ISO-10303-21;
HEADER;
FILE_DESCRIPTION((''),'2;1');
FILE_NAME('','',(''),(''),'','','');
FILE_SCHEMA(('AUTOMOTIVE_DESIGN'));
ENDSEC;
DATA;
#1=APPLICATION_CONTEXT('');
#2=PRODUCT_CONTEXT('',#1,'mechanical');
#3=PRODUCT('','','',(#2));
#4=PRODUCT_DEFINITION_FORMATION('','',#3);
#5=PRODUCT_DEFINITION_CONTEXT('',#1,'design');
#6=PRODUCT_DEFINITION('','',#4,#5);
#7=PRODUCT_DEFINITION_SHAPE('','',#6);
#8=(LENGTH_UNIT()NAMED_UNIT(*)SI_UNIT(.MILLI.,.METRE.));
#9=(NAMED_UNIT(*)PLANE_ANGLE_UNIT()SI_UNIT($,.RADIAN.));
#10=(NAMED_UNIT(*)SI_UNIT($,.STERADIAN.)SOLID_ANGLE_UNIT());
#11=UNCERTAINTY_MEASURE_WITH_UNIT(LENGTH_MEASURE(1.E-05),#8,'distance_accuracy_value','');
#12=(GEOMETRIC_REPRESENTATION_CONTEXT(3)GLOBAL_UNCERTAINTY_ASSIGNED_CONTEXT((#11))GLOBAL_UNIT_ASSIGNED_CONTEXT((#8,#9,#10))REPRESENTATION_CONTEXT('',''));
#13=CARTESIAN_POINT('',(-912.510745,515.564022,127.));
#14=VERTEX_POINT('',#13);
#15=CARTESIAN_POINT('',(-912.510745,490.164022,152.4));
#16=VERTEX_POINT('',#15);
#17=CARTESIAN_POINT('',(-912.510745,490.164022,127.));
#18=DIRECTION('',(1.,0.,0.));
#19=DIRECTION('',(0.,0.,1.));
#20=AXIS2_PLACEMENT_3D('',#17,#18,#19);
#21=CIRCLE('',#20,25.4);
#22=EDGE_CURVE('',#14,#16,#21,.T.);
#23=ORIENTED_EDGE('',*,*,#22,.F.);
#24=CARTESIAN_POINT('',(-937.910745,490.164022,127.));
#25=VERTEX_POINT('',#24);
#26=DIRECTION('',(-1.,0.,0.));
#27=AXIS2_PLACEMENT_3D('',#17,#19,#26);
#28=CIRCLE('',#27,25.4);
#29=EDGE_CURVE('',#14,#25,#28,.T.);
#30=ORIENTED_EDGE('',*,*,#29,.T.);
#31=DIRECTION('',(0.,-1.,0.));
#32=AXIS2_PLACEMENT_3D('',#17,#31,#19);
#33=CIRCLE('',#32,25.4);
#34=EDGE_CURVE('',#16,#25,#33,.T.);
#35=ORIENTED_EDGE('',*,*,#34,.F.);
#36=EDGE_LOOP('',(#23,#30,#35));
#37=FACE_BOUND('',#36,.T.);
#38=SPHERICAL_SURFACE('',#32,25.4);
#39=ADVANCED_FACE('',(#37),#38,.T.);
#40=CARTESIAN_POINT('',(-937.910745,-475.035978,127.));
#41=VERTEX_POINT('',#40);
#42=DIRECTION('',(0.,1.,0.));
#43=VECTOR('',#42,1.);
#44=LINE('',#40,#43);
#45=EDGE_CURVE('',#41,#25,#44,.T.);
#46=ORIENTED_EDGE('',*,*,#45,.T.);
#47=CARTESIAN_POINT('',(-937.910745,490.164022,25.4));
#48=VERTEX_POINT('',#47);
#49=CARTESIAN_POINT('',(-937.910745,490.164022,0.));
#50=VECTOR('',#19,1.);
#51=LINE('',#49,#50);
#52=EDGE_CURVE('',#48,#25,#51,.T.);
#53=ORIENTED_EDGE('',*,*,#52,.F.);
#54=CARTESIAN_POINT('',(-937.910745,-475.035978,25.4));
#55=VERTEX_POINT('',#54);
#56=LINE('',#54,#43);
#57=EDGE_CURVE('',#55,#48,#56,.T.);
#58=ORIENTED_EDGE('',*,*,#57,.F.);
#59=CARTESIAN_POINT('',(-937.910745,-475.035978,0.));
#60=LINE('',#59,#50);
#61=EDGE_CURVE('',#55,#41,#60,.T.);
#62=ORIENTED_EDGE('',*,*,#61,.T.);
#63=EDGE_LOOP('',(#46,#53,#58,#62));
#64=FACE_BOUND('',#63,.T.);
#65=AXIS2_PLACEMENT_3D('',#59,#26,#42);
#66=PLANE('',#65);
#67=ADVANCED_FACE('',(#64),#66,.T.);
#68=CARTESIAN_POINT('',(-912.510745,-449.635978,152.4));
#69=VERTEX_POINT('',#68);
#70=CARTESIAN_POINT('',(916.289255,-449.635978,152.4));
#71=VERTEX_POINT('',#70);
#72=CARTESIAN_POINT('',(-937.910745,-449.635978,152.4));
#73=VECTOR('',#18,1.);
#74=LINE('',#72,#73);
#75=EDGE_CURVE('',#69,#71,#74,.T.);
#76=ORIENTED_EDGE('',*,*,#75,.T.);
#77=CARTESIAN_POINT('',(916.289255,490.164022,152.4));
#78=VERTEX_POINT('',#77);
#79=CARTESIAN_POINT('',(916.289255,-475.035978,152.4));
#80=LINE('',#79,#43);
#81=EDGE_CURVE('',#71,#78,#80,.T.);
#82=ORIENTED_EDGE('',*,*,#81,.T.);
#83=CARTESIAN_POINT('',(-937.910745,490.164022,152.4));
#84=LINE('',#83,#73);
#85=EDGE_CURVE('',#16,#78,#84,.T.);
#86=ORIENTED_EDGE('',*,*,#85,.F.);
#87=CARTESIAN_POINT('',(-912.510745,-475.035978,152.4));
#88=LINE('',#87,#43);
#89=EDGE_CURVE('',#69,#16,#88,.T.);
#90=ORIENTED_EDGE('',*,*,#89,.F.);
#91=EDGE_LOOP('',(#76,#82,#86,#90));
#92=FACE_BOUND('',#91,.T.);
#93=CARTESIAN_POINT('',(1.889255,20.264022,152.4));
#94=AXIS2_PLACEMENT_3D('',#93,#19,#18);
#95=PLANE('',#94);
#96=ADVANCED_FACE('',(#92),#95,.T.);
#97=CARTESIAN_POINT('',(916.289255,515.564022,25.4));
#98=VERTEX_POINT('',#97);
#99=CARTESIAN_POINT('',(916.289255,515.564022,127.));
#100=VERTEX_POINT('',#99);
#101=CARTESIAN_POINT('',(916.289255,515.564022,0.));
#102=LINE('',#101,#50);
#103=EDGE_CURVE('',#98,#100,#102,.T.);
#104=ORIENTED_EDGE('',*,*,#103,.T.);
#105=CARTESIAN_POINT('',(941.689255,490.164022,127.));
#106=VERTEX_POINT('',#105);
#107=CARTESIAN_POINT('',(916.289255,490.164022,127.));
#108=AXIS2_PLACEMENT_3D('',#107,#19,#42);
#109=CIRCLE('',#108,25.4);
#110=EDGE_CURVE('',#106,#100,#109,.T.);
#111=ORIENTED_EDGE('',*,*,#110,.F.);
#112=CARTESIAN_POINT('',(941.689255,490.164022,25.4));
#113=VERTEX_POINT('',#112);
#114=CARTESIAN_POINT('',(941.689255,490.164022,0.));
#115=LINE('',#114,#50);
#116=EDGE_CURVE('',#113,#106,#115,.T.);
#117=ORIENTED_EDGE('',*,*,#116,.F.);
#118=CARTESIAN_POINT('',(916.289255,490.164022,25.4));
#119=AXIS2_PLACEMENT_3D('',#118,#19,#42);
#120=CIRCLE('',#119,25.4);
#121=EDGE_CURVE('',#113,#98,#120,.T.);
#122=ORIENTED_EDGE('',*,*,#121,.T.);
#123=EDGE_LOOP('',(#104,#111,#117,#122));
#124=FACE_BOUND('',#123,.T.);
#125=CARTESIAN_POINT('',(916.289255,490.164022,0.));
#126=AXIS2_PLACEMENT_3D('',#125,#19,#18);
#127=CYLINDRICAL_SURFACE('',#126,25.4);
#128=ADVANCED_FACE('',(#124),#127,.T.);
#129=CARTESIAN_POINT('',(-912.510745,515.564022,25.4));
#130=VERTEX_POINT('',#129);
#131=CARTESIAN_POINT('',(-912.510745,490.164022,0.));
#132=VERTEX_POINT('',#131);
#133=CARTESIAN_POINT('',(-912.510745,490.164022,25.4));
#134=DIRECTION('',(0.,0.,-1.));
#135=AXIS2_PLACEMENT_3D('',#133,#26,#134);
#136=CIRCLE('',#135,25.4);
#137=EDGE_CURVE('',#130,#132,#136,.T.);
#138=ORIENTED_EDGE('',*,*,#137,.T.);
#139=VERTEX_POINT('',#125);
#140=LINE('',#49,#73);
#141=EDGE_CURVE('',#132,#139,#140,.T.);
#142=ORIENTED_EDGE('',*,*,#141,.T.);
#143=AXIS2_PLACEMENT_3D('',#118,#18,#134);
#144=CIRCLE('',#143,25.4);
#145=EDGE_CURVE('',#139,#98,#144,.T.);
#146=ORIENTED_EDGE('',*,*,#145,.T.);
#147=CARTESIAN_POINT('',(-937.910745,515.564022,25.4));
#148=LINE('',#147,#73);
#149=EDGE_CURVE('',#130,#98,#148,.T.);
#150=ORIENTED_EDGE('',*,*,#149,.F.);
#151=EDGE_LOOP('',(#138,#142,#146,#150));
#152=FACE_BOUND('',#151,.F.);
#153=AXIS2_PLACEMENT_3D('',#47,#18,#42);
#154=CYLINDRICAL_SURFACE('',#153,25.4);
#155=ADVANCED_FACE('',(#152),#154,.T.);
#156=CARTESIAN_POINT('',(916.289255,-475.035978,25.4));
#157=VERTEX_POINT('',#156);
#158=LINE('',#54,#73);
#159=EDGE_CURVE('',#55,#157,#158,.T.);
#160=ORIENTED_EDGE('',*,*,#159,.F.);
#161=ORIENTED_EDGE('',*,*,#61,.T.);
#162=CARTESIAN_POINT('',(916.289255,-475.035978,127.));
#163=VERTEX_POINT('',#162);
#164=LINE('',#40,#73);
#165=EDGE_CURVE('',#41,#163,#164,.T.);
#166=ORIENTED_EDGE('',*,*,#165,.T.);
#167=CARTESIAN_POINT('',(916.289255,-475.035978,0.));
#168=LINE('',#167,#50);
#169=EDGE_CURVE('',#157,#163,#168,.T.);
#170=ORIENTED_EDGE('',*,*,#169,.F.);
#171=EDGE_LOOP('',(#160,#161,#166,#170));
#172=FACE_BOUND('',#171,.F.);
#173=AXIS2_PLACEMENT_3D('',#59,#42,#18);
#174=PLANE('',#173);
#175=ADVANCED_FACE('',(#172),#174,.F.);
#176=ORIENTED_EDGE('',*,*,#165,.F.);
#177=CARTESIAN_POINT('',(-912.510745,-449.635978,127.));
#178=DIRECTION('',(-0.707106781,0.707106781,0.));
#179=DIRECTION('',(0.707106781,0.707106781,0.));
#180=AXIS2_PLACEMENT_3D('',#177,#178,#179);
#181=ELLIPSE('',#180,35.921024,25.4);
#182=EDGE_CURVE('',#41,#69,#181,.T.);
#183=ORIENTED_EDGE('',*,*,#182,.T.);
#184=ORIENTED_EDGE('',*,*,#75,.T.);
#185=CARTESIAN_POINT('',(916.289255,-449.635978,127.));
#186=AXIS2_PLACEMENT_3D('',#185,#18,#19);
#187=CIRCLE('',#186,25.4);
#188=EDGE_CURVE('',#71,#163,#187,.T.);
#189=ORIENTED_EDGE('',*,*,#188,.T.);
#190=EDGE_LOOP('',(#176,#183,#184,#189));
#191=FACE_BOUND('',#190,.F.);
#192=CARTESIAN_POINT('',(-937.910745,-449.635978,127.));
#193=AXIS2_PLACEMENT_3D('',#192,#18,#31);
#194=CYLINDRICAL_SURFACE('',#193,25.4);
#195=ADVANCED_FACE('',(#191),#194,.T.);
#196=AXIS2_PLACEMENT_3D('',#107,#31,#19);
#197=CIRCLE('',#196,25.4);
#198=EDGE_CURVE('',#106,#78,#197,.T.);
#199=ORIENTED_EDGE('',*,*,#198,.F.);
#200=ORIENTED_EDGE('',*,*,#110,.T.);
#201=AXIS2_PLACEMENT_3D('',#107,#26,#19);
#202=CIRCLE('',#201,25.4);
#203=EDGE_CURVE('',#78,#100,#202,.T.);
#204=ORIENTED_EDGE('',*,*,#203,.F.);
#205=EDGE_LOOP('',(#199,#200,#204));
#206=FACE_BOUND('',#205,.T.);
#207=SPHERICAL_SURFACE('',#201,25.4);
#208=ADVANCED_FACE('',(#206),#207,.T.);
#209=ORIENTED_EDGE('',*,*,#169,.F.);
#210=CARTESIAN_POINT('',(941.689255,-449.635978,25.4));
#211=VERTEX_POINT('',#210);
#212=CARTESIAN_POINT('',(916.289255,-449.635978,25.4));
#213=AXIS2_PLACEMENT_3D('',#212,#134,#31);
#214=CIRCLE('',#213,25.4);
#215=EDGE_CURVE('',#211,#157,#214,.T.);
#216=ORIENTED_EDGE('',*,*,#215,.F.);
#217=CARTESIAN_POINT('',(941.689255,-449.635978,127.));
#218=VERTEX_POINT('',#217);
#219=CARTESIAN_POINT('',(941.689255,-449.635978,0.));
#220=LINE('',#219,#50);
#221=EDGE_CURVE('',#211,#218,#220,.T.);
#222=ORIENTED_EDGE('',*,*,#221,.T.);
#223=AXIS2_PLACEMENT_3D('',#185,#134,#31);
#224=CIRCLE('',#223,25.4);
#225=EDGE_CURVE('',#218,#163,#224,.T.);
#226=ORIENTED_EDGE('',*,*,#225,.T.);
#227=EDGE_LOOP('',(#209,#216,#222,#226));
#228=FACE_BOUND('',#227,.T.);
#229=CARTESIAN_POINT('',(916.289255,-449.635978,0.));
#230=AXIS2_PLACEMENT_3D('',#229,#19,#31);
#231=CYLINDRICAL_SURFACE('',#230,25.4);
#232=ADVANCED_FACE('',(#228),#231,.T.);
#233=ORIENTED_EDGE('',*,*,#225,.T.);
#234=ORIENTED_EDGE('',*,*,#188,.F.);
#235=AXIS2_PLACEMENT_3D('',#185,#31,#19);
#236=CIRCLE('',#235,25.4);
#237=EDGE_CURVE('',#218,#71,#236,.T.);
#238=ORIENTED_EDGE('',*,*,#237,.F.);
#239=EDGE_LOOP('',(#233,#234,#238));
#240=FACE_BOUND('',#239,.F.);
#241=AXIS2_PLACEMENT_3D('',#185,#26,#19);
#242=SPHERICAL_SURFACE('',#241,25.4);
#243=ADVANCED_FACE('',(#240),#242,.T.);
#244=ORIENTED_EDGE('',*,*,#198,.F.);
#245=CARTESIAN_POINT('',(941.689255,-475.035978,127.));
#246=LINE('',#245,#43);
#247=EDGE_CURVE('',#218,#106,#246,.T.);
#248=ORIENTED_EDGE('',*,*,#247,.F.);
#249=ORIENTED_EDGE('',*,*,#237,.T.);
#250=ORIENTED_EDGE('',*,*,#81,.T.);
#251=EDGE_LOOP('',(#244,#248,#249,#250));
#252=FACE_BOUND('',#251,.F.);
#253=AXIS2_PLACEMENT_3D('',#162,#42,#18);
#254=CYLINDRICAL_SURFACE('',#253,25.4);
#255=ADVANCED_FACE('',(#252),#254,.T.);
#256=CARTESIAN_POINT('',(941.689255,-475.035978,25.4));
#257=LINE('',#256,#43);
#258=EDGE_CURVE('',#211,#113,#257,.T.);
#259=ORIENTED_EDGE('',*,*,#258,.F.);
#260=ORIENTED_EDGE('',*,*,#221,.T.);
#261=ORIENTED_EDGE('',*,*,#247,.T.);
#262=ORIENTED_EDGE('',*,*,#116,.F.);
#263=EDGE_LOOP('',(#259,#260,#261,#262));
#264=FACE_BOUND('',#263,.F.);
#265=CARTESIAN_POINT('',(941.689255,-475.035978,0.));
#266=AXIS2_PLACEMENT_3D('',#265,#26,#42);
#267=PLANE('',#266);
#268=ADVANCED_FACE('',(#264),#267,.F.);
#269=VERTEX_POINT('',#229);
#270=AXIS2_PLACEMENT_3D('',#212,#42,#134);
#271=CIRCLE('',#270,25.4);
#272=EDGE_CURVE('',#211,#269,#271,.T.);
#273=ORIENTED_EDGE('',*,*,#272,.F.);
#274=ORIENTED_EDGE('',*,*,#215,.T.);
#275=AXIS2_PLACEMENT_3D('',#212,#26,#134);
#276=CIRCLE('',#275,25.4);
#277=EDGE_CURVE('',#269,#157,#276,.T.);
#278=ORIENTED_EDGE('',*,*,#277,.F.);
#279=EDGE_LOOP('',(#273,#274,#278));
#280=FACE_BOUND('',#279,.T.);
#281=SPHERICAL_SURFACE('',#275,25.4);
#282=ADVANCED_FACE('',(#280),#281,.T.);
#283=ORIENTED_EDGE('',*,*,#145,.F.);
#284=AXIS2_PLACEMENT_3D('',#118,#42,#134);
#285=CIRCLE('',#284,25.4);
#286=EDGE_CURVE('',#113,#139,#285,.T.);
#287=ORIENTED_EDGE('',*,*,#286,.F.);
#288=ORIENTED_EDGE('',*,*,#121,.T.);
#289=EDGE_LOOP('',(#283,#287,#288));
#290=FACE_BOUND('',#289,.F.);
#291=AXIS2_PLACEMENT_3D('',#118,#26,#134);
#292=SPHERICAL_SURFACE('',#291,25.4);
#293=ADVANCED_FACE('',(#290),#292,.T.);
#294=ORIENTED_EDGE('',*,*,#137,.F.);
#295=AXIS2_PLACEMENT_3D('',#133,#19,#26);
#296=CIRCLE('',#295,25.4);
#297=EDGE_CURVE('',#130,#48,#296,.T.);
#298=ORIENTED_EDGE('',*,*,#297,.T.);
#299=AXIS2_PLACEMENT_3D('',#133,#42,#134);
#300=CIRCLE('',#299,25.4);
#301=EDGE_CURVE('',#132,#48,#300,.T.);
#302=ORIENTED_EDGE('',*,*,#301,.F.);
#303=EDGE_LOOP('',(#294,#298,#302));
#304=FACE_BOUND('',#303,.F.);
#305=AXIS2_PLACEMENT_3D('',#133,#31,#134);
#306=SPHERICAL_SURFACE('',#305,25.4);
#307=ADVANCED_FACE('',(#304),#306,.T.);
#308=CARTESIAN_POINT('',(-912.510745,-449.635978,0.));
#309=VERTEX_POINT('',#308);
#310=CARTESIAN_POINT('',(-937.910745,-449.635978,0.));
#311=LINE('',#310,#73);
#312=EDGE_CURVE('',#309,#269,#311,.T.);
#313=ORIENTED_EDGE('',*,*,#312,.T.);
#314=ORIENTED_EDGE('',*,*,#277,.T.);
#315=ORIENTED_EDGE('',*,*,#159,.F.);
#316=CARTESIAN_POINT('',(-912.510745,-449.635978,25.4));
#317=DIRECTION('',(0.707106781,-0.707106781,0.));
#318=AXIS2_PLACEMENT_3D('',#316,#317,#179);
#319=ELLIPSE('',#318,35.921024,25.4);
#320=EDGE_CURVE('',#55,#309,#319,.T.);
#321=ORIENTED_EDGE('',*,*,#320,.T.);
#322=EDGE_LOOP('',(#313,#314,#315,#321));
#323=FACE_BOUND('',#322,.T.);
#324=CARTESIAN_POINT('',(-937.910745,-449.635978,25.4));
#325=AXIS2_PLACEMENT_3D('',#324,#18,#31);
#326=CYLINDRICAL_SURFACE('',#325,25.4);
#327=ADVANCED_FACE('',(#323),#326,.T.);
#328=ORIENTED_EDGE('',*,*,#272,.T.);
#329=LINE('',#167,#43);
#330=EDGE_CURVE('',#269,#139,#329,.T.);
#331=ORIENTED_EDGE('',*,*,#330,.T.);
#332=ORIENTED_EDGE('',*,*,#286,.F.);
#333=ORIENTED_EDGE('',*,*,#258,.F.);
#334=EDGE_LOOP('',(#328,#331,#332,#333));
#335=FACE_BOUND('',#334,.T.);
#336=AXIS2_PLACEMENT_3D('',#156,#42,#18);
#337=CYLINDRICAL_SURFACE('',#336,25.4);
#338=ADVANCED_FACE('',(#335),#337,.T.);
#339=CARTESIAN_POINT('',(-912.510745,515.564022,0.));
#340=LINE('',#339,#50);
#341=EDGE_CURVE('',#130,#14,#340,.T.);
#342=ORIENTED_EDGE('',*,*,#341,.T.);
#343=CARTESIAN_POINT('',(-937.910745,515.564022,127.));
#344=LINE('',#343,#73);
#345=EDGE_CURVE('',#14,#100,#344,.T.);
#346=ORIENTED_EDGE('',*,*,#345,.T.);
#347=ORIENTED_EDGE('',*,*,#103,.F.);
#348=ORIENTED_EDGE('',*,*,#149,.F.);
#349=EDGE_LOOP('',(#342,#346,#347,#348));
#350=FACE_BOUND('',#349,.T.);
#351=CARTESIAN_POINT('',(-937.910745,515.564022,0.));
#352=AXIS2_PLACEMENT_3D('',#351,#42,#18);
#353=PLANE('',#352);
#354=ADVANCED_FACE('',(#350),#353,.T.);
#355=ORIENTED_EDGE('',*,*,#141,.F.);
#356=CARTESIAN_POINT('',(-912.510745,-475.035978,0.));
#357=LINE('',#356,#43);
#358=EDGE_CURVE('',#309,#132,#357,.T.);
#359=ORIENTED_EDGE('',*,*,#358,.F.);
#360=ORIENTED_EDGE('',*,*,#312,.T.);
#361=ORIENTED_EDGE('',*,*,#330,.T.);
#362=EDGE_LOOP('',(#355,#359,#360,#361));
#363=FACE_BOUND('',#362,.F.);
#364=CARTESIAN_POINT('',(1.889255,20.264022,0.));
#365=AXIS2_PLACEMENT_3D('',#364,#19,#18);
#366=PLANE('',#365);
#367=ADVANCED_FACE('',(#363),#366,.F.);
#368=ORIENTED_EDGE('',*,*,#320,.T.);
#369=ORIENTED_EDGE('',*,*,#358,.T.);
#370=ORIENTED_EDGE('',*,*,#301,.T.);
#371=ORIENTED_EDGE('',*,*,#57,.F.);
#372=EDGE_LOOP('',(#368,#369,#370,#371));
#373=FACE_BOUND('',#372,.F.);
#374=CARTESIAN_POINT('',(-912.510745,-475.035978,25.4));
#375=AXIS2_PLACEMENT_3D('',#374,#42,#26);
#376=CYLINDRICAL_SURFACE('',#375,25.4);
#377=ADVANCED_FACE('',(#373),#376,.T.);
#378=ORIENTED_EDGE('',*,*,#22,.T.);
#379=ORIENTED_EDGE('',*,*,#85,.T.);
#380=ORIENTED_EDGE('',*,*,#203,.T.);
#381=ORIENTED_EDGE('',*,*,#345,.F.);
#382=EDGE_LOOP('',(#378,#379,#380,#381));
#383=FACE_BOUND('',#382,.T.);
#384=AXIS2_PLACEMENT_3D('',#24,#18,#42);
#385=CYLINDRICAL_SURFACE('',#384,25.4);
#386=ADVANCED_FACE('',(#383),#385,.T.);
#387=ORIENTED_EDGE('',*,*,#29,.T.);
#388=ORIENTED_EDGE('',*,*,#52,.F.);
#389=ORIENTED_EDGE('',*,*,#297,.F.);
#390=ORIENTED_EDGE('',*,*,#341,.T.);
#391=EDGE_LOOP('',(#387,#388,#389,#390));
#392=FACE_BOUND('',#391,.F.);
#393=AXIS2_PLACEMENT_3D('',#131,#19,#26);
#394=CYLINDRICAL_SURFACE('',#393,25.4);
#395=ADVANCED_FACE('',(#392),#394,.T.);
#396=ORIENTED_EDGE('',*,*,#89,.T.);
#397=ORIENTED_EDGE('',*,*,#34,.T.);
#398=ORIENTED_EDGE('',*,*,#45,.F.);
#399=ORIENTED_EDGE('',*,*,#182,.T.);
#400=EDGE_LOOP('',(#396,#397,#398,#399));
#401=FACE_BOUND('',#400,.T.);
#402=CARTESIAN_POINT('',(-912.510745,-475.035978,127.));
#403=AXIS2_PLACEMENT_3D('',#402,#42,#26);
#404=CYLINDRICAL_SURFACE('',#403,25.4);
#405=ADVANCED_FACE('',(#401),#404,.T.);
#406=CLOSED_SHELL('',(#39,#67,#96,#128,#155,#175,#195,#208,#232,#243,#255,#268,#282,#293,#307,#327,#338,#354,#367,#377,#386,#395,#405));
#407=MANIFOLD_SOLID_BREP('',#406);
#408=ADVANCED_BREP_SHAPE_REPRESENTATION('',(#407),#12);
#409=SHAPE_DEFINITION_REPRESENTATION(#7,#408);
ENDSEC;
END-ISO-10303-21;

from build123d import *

# Parameters (mm, degrees)
F0_W     = 1879.6
F0_H     = 990.6
F1_DEPTH = 152.4
F2_R     = 25.4


with BuildPart() as f1:
    # F0 (on Top) → F1 (new body)
    with BuildSketch(Plane.XY):
        with Locations((1.889255, 20.264022)):
            Rectangle(F0_W, F0_H)
    extrude(amount=F1_DEPTH)

    # F2
    f2_edges = [f1.edges().sort_by_distance(p)[0] for p in [
        (-937.910745, 20.264022, 152.4),
        (1.889255, -475.035978, 152.4),
        (1.889255, 515.564022, 152.4),
        (941.689255, 20.264022, 152.4),
        (1.889255, -475.035978, 0),
        (-937.910745, 20.264022, 0),
        (1.889255, 515.564022, 0),
        (941.689255, 20.264022, 0),
        (941.689255, -475.035978, 76.2),
        (941.689255, 515.564022, 76.2),
        (-937.910745, 515.564022, 76.2),
    ]]
    fillet(f2_edges, radius=F2_R)


solid = f1.part
